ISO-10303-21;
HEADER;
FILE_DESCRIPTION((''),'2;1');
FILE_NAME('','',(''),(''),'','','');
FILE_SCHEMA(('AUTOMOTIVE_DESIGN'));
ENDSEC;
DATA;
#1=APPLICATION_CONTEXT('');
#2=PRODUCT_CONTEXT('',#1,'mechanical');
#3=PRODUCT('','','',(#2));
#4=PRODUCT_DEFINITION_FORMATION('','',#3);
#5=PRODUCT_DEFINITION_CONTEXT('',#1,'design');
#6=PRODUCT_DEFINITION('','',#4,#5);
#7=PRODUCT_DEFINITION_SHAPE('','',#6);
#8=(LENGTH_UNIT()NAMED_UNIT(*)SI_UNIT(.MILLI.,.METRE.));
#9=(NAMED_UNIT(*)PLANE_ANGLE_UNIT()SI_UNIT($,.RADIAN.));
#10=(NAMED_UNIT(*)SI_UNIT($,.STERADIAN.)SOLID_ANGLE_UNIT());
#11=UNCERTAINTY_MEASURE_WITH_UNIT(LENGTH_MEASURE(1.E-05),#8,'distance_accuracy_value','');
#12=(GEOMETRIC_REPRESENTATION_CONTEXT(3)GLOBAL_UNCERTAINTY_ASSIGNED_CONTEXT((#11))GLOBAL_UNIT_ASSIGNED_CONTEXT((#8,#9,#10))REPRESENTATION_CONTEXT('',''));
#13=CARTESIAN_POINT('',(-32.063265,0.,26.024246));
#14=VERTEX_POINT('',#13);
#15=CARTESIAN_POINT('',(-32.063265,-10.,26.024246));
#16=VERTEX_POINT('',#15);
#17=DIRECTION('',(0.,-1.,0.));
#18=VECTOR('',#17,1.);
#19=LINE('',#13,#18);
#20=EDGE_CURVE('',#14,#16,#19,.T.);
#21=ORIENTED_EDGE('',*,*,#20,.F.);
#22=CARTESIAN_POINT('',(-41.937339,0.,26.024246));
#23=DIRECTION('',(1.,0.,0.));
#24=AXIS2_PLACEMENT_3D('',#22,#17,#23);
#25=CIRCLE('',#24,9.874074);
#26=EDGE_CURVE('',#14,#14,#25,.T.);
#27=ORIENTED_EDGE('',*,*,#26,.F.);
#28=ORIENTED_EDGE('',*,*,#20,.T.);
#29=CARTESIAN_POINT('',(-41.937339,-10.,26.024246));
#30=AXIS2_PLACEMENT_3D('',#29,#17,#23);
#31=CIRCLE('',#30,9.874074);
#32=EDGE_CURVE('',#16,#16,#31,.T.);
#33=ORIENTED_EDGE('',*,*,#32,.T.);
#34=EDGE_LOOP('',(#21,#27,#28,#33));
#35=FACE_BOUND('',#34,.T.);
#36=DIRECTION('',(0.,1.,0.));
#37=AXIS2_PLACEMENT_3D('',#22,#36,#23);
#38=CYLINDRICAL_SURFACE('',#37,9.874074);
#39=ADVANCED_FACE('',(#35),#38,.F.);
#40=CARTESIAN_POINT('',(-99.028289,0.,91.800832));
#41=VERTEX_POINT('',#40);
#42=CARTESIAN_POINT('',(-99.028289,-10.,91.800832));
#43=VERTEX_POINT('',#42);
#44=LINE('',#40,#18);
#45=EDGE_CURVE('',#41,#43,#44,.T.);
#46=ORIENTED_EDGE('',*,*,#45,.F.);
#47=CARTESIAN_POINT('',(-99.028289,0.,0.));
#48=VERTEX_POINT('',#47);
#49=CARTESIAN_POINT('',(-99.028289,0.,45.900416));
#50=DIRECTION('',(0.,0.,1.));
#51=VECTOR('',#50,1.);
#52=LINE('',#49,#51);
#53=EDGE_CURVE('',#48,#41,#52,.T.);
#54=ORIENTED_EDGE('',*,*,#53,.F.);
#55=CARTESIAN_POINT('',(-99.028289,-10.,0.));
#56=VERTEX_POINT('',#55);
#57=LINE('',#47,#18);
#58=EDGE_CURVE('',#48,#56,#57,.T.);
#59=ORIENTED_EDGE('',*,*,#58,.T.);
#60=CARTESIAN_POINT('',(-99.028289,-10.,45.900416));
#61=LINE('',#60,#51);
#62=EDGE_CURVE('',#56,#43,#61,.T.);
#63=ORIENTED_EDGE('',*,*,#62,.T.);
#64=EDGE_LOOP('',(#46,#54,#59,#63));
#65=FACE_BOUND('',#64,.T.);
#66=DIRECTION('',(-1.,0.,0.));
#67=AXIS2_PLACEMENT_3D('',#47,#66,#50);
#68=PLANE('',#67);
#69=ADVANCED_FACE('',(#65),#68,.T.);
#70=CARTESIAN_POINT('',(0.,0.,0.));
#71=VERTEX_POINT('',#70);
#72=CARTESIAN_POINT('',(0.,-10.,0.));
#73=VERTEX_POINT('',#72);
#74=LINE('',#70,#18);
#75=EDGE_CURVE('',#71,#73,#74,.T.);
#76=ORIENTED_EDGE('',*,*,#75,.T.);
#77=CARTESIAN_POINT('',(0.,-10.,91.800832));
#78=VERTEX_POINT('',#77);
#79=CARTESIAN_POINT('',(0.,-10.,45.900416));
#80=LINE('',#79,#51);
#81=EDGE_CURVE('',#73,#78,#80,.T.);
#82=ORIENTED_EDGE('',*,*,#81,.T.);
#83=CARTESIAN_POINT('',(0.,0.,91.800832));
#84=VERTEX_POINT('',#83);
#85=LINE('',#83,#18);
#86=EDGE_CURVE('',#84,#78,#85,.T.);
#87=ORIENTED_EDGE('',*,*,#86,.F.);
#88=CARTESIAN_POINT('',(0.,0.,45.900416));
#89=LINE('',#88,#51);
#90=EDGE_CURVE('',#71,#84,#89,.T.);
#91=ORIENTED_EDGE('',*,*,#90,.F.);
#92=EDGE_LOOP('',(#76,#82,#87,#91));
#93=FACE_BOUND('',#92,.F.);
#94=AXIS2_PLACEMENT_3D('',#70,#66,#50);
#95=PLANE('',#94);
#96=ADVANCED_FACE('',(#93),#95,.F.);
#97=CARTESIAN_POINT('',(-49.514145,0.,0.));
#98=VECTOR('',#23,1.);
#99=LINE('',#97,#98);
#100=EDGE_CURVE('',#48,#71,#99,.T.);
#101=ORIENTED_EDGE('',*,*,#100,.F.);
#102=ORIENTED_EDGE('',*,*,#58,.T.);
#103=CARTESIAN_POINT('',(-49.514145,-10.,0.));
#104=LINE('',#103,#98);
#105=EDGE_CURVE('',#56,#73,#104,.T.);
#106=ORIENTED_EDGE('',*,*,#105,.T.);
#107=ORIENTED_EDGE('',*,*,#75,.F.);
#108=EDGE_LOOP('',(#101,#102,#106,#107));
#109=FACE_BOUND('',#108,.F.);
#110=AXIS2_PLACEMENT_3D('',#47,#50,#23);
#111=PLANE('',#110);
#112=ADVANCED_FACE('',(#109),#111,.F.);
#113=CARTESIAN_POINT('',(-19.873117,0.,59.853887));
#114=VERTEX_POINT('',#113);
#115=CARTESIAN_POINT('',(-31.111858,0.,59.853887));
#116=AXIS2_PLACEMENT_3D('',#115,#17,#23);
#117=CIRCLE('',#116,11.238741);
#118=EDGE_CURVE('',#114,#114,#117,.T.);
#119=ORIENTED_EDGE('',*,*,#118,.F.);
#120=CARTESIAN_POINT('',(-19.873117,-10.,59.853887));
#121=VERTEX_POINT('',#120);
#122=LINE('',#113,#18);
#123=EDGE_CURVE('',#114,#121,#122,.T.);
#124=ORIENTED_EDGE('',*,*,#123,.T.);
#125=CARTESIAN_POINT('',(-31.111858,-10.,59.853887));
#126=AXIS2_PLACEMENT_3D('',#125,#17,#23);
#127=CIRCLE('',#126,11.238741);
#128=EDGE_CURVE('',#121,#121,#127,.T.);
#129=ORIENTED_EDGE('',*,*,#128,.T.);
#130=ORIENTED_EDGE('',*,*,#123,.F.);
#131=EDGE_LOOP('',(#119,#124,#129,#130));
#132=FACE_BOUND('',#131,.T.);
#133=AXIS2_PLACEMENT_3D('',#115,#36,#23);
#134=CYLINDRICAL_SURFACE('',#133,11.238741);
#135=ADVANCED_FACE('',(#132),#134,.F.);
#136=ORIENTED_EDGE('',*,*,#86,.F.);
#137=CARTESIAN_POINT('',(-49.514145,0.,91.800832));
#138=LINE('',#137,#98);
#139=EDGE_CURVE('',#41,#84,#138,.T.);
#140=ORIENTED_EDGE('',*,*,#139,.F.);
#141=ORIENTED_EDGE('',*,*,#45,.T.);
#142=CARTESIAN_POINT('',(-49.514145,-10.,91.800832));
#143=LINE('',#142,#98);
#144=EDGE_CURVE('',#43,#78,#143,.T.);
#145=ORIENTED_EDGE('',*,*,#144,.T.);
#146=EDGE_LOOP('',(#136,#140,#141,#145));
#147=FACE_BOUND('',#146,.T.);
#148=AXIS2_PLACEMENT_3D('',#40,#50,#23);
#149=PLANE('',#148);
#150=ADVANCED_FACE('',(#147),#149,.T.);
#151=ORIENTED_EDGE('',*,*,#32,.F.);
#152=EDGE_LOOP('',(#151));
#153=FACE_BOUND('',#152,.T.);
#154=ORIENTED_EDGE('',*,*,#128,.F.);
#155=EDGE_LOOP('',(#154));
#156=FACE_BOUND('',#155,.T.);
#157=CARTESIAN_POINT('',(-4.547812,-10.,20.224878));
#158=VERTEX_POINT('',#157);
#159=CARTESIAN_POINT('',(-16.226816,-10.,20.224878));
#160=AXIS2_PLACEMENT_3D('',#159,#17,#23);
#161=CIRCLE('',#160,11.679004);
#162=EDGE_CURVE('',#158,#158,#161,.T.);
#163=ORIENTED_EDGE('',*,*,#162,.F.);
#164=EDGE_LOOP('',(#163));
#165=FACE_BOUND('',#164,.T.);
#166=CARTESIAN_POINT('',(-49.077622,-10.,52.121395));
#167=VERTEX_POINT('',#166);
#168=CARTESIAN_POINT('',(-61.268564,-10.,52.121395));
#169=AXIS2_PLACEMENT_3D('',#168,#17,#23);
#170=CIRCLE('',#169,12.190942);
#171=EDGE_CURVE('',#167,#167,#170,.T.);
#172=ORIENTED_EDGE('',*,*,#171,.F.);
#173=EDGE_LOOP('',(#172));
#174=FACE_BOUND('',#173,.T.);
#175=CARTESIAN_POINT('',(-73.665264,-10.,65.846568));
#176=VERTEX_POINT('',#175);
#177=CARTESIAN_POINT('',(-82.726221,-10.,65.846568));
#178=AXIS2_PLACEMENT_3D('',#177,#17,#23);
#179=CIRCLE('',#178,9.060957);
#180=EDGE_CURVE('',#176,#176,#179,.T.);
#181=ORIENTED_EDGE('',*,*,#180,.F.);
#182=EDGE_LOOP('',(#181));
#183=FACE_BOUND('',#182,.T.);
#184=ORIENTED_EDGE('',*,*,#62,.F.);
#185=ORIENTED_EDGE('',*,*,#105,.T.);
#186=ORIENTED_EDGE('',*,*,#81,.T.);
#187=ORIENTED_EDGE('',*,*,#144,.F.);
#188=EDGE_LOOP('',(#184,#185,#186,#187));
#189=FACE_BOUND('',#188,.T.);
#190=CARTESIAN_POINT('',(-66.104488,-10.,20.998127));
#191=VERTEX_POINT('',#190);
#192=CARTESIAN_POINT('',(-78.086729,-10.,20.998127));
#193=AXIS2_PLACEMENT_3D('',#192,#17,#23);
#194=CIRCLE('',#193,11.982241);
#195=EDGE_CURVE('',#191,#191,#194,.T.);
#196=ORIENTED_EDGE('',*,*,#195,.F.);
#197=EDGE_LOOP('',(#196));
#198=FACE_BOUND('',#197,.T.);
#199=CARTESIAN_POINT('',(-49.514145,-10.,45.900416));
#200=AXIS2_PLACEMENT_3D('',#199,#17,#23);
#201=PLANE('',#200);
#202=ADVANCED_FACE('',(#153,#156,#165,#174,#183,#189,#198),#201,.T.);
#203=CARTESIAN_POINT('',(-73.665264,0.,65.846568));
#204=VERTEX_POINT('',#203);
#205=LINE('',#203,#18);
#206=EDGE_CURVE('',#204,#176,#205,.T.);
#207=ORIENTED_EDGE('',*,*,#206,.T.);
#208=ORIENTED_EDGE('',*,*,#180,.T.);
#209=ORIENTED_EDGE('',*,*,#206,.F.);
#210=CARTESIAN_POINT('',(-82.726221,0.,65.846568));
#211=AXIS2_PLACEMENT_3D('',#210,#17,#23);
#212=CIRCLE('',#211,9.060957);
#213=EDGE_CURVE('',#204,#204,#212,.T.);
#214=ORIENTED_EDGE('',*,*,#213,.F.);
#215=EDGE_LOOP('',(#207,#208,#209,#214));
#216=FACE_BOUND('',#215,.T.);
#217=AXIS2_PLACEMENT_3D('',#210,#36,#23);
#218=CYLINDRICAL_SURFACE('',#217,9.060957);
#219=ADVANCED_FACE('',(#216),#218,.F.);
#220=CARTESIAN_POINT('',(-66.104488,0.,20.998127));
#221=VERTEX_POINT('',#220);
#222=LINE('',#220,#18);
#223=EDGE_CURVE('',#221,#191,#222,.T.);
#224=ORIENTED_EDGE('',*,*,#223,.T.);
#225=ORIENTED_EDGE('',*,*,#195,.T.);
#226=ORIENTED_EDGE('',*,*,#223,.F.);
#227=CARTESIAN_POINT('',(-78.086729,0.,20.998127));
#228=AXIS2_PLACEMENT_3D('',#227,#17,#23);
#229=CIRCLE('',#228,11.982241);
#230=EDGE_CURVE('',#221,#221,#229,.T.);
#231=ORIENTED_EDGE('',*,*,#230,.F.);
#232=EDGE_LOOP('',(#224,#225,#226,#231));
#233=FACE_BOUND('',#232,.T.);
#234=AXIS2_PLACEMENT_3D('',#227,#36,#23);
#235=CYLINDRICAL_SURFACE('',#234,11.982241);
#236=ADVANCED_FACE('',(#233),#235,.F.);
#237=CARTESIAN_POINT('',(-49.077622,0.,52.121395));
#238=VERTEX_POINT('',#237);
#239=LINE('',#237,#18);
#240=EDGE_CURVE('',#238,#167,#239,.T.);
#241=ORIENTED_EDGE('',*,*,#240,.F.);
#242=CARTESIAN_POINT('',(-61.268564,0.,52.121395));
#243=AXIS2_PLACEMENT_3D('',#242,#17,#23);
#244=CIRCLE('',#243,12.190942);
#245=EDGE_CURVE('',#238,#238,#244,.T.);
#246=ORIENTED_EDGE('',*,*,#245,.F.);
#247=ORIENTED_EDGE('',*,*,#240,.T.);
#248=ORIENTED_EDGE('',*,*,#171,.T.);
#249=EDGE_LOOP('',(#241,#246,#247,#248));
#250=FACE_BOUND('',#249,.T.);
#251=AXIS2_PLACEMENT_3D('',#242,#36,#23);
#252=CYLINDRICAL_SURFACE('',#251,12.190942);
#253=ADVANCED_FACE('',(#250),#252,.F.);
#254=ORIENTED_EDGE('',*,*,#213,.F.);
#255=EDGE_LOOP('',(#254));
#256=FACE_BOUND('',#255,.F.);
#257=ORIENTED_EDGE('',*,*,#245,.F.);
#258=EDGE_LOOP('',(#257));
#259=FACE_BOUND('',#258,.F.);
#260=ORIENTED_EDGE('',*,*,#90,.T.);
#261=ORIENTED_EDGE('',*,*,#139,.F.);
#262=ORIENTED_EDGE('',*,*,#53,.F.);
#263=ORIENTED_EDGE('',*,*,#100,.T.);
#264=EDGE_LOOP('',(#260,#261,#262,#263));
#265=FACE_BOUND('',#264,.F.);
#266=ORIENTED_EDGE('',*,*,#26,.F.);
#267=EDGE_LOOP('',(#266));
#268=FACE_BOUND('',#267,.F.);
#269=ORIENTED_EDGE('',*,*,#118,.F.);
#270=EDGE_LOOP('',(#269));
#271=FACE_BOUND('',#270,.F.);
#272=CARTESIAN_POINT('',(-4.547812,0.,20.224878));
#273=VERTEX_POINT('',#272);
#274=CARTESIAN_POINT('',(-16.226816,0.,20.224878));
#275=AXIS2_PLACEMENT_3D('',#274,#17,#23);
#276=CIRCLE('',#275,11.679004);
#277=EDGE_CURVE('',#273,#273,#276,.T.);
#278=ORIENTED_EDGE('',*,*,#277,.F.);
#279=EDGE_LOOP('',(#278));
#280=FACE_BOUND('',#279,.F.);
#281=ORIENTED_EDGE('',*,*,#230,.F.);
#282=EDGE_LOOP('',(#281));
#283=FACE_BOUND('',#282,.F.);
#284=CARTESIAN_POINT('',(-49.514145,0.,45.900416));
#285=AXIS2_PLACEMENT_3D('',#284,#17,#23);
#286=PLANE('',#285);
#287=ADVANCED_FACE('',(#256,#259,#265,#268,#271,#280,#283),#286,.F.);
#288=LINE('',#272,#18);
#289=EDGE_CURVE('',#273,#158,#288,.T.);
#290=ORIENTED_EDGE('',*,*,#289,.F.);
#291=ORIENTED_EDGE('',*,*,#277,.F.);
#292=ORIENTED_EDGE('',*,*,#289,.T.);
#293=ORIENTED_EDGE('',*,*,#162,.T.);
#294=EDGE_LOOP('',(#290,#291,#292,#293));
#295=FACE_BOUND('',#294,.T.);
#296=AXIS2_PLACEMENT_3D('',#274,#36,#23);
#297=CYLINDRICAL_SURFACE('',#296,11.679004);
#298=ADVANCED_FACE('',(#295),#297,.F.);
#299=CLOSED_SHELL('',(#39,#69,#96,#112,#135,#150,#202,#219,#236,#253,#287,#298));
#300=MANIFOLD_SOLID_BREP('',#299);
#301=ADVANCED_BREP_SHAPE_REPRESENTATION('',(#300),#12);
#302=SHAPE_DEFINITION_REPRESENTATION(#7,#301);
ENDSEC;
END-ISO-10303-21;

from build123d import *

# Parameters (mm, degrees)
F0_W     = 99.028289
F0_H     = 91.800831
F0_R     = 11.982241
F0_R_2   = 11.679004
F0_R_3   = 9.874074
F0_R_4   = 9.060957
F0_R_5   = 12.190942
F0_R_6   = 11.238741
F1_DEPTH = 10


with BuildPart() as f1:
    # F0 (on Front) → F1 (new body)
    with BuildSketch(Plane.XZ):
        with Locations((-49.514145, 45.900416)):
            Rectangle(F0_W, F0_H)
        with Locations((-78.086729, 20.998127)):
            Circle(F0_R, mode=Mode.SUBTRACT)
        with Locations((-16.226816, 20.224878)):
            Circle(F0_R_2, mode=Mode.SUBTRACT)
        with Locations((-41.937339, 26.024246)):
            Circle(F0_R_3, mode=Mode.SUBTRACT)
        with Locations((-82.726221, 65.846568)):
            Circle(F0_R_4, mode=Mode.SUBTRACT)
        with Locations((-61.268564, 52.121395)):
            Circle(F0_R_5, mode=Mode.SUBTRACT)
        with Locations((-31.111858, 59.853887)):
            Circle(F0_R_6, mode=Mode.SUBTRACT)
    extrude(amount=F1_DEPTH)


solid = f1.part
